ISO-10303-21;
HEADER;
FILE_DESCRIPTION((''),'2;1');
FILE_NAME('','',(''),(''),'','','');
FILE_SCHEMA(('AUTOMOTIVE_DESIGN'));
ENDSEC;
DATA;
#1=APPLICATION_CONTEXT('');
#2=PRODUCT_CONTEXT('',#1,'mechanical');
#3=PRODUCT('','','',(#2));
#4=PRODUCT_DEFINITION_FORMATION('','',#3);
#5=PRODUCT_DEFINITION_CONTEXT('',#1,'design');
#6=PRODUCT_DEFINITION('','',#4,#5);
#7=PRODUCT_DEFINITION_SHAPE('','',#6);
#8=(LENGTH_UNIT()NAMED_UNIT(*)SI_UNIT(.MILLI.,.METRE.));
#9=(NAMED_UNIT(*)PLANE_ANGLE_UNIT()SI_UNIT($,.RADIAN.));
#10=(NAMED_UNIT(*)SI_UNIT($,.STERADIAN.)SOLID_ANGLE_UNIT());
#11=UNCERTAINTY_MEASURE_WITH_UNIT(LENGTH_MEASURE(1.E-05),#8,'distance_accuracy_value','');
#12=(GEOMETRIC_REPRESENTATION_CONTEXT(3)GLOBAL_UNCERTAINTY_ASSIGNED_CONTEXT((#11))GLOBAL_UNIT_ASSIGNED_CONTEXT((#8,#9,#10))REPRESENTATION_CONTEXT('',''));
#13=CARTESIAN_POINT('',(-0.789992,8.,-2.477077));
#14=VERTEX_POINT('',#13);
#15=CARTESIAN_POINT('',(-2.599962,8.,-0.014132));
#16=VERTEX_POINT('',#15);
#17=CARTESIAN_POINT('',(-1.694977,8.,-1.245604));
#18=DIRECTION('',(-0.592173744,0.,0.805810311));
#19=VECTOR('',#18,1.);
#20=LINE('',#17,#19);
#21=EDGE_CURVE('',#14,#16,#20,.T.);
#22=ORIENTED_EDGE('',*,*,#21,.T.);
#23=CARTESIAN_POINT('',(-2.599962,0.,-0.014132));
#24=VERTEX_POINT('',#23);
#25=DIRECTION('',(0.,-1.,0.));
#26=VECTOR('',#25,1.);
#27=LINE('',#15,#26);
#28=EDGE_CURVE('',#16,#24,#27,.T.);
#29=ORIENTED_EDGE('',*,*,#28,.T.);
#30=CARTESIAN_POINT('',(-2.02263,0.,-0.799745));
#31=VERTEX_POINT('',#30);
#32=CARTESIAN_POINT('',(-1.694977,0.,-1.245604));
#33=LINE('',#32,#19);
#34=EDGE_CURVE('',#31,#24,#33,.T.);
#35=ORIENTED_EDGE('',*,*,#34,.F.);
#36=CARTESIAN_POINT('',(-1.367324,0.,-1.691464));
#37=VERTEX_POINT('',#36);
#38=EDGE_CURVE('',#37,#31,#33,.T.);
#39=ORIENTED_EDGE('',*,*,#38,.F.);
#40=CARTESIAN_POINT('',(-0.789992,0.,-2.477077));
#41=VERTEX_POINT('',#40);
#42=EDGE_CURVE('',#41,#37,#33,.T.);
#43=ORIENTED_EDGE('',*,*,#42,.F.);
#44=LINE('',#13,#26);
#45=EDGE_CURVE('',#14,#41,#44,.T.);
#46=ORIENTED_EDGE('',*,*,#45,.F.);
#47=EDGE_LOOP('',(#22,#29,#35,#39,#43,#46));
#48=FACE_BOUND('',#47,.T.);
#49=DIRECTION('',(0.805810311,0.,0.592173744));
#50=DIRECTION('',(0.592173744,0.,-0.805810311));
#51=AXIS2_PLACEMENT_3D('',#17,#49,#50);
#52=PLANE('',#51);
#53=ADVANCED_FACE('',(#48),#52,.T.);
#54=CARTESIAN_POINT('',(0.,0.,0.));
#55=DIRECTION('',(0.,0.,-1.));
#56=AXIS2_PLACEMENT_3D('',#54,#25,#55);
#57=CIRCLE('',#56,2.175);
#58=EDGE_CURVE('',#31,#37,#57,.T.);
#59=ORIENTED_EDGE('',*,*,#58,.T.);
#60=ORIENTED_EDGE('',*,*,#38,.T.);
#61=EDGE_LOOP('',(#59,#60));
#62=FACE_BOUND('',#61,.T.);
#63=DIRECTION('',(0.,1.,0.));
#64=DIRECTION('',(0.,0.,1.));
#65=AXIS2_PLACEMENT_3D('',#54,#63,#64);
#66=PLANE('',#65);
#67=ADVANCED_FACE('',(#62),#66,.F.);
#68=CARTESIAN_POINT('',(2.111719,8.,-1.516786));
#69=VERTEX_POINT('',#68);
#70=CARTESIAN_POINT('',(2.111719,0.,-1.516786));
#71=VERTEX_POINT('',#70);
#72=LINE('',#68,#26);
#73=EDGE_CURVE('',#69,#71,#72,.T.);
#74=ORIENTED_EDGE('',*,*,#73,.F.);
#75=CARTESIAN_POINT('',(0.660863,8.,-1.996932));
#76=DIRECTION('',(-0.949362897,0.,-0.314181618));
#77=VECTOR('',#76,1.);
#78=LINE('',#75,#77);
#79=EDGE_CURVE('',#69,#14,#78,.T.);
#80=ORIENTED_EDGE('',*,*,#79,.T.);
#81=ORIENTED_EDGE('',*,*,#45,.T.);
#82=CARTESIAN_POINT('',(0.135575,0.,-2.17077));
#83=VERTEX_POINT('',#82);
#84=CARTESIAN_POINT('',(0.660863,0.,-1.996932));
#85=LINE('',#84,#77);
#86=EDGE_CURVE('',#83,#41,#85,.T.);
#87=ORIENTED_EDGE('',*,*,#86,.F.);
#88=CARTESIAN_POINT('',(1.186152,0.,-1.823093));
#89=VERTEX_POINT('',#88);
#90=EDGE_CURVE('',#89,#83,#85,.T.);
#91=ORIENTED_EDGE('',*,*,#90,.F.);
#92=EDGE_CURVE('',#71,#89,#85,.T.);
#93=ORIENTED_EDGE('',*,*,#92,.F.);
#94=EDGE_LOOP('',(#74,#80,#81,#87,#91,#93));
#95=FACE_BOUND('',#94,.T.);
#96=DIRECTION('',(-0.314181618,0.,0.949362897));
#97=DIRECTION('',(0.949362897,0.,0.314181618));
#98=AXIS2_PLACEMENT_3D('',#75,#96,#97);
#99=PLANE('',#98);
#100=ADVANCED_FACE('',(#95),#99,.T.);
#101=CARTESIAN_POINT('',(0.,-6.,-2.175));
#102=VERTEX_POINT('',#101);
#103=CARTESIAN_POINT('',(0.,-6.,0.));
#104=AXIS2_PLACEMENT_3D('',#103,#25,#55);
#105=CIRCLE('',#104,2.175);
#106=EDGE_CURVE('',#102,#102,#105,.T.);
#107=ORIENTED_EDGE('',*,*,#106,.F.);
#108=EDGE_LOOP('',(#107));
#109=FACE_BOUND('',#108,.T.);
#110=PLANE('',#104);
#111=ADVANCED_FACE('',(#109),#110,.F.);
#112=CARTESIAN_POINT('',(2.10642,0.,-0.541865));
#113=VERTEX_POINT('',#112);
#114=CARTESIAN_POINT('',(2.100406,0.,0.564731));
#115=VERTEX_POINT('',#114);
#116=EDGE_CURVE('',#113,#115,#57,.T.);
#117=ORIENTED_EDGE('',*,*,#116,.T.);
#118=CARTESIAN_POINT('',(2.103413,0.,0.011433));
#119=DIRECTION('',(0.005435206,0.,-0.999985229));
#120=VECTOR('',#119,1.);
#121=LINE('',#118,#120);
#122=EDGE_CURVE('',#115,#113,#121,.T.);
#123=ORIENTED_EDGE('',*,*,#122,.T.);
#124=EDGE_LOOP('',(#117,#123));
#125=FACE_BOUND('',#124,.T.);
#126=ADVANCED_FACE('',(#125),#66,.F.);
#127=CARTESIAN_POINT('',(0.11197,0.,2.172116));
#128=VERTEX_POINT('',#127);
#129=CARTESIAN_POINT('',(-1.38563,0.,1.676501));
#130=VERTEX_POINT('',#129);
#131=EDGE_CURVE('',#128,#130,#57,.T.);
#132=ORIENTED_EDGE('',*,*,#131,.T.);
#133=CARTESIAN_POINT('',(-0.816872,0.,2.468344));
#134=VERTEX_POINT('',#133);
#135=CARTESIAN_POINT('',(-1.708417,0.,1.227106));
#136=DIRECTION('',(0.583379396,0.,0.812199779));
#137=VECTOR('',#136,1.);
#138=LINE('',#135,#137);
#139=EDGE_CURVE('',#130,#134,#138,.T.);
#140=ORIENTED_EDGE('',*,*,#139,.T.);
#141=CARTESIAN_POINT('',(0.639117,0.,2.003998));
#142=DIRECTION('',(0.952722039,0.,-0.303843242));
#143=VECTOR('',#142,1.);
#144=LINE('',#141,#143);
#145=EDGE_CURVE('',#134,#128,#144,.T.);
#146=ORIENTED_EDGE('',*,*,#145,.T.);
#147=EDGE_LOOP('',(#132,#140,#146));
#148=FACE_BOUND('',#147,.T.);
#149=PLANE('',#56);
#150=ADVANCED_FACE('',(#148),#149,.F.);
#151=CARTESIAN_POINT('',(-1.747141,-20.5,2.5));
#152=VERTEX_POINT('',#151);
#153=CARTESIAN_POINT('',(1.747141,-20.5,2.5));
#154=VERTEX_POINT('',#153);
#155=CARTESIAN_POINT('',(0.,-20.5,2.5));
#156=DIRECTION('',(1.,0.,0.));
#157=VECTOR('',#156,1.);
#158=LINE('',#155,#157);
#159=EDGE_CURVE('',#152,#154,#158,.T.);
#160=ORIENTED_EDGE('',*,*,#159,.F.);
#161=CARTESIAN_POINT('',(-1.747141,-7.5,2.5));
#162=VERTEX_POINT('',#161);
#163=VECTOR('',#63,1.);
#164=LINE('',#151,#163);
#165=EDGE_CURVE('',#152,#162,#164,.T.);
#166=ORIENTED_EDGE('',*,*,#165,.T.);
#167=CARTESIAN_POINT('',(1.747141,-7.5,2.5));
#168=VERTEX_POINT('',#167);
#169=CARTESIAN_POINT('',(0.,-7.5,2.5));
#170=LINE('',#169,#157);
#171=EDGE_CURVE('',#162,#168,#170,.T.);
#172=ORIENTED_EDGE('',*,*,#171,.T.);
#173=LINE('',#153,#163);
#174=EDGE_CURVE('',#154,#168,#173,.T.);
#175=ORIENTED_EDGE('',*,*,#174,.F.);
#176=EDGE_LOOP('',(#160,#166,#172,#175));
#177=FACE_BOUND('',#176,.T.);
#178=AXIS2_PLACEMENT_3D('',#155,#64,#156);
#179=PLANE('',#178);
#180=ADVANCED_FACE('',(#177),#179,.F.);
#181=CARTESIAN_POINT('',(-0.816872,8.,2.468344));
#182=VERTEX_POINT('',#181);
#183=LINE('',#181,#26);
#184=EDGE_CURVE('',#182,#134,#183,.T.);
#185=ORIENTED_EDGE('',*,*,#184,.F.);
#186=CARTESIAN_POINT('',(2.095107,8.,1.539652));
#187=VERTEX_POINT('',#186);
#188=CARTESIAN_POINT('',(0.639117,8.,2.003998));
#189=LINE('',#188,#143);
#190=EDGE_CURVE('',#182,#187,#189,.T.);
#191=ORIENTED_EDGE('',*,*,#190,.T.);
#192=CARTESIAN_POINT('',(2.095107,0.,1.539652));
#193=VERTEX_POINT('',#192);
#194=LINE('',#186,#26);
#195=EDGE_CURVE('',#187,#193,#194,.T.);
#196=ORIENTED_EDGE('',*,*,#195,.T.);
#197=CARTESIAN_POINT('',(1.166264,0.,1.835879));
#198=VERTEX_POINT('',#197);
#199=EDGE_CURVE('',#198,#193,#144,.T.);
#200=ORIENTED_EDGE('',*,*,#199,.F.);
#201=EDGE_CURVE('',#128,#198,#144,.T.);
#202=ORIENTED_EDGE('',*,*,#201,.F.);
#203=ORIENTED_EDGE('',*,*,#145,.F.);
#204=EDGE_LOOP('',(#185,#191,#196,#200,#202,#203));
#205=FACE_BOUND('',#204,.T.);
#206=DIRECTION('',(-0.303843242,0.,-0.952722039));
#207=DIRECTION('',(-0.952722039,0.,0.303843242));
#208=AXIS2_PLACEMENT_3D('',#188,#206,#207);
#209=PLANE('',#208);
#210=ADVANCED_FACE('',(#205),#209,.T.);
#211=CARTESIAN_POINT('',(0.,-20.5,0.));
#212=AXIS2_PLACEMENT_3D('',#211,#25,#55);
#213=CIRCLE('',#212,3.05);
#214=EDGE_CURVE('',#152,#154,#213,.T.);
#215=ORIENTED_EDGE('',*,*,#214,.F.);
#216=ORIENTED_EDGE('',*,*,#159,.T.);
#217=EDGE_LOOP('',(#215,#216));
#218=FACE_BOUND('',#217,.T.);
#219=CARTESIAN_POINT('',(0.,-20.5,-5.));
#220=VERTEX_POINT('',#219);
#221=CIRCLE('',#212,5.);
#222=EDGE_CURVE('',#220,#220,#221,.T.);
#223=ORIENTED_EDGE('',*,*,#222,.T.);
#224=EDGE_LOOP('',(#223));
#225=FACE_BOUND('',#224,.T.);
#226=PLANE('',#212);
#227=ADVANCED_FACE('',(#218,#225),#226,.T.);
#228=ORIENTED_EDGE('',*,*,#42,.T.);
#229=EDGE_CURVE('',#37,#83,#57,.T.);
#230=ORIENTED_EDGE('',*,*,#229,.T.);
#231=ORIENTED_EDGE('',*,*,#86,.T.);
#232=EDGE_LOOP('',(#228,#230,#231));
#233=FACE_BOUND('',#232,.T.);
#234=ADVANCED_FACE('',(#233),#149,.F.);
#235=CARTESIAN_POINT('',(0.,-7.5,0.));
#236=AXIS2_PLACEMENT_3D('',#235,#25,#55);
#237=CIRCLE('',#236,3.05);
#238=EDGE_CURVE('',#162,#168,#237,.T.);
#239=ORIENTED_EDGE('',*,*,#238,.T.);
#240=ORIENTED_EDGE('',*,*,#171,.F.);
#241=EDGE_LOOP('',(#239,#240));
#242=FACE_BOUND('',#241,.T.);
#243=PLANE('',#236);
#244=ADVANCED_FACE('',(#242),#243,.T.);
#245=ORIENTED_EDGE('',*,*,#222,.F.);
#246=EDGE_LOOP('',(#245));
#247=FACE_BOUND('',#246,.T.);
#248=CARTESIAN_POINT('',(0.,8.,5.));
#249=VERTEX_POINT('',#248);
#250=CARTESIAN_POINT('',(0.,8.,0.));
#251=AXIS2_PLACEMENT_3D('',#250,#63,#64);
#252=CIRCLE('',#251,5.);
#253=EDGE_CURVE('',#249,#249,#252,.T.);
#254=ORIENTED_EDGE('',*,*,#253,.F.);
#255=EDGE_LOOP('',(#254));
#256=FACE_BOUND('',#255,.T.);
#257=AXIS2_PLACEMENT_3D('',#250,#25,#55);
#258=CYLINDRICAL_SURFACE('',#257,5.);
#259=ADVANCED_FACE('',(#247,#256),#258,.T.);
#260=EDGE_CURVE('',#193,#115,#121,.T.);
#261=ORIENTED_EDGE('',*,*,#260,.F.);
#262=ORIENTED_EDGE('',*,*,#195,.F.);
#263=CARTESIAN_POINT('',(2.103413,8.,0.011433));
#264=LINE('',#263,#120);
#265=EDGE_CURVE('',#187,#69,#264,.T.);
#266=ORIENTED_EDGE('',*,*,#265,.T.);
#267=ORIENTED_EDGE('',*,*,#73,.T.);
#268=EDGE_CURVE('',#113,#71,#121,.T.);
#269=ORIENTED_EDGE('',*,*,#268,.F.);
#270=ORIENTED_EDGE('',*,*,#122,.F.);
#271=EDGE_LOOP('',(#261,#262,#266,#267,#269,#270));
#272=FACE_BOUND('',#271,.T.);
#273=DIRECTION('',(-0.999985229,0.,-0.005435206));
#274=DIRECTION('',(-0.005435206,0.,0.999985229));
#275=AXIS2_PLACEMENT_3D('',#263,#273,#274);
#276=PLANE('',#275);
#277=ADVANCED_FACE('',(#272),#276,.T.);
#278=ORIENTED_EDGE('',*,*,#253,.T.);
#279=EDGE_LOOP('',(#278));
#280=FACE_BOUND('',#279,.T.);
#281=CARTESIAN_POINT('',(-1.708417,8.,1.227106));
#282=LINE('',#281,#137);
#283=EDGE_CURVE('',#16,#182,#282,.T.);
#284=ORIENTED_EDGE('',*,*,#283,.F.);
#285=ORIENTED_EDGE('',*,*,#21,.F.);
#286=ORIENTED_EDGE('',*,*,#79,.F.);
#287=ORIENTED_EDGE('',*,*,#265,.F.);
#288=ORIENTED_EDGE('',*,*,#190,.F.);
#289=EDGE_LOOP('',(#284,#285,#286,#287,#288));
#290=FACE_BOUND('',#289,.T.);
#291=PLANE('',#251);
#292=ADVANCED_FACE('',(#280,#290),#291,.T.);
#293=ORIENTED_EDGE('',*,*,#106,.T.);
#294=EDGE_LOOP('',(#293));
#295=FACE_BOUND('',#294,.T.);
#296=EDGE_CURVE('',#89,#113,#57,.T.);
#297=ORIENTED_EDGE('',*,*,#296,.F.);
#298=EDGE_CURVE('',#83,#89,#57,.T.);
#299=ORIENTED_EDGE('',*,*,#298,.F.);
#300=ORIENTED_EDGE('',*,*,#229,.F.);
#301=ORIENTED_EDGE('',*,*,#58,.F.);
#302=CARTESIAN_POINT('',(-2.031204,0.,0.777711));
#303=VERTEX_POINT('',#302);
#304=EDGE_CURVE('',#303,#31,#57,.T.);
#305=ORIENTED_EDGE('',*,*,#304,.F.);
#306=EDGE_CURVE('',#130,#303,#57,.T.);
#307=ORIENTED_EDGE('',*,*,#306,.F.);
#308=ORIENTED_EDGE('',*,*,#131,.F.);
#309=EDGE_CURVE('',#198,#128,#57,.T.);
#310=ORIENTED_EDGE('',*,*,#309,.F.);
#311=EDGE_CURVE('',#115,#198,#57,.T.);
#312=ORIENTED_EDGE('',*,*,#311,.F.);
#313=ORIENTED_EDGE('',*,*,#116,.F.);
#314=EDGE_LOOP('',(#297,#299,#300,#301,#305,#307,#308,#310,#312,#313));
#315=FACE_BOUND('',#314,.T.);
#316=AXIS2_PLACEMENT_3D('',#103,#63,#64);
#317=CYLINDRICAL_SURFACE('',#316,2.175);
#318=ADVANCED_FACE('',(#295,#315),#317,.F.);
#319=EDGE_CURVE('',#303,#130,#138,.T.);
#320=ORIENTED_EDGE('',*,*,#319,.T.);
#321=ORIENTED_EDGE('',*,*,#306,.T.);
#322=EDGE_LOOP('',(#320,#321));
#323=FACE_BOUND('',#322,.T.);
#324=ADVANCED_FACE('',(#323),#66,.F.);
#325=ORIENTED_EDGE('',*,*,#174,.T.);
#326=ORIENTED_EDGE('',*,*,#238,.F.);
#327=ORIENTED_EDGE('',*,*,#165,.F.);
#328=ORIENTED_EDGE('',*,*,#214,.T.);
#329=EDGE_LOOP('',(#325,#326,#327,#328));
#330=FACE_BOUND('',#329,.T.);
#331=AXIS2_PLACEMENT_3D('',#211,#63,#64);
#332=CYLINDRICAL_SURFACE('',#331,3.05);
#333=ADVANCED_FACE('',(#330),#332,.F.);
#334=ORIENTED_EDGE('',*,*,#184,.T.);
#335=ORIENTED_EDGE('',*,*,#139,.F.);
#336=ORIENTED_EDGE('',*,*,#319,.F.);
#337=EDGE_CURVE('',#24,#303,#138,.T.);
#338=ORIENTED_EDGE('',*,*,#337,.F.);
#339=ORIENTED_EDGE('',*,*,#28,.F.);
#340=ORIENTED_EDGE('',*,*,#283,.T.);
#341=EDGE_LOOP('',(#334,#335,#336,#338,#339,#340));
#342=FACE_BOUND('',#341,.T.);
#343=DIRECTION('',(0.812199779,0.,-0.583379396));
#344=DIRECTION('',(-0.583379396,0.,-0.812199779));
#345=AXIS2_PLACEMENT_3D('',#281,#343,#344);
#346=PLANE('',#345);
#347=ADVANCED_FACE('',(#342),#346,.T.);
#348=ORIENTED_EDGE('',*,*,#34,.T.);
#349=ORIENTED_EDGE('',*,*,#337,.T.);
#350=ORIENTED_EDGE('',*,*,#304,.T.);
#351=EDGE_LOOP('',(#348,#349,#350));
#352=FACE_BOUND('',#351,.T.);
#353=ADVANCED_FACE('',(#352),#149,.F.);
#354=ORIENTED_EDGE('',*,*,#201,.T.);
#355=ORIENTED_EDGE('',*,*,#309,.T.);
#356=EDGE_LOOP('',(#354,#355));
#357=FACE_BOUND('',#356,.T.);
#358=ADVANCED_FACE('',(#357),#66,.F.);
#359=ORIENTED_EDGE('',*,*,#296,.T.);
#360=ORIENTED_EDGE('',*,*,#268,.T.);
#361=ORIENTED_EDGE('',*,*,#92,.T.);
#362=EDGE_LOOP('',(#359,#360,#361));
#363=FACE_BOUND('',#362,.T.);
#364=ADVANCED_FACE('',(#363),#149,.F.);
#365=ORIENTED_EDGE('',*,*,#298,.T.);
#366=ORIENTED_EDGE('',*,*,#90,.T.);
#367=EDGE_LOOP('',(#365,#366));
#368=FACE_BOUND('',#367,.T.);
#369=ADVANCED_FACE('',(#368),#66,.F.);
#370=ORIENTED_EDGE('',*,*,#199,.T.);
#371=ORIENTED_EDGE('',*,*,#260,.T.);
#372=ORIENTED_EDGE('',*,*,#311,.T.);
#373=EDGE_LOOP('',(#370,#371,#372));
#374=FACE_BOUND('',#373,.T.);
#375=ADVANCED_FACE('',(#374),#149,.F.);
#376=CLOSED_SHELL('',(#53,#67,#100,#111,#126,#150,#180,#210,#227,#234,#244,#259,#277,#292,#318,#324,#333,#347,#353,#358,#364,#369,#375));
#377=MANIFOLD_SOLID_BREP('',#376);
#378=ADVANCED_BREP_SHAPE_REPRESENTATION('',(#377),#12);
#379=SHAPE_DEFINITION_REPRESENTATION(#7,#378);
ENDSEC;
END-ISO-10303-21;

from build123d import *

# Parameters (mm, degrees)
SKETCH1_R           = 5
SKETCH1_R_2         = 2.6
BOSS_EXTRUDE1_DEPTH = 8
BOSS_EXTRUDE2_START = 6
SKETCH2_R           = 5
SKETCH2_R_2         = 2.175
BOSS_EXTRUDE2_DEPTH = 6
BOSS_EXTRUDE3_START = 1.5
SKETCH3_R           = 5
BOSS_EXTRUDE3_DEPTH = 1.5
BOSS_EXTRUDE4_START = 13
SKETCH4_R           = 5
BOSS_EXTRUDE4_DEPTH = 13


with BuildPart() as part:
    # Sketch1 → Boss-Extrude1 (new body)
    # profile 1 of 6: a face of its own
    with BuildSketch(Plane(origin=(0, 0, 0), x_dir=(1, 0, 0), z_dir=(0, 1, 0))):
        with Locations(Location((0, 0, 0), (0, 0, 270))):
            Circle(SKETCH1_R)
        Circle(SKETCH1_R_2, mode=Mode.SUBTRACT)
    # profile 2 of 6: a face of its own
    with BuildSketch(Plane(origin=(0, 0, 0), x_dir=(1, 0, 0), z_dir=(0, 1, 0))):
        with BuildLine():
            Line((2.111719424, 1.51678643), (2.095106807, -1.539651735))
            ThreePointArc((2.095106807, -1.539651735), (2.470554361, -0.810161188), (2.6, 0))
            ThreePointArc((2.6, 0), (2.474921262, 0.796721249), (2.111719424, 1.51678643))
        make_face()
    # profile 3 of 6: a face of its own
    with BuildSketch(Plane(origin=(0, 0, 0), x_dir=(1, 0, 0), z_dir=(0, 1, 0))):
        with BuildLine():
            ThreePointArc((-0.816872207, -2.468343533), (0.789992429, -2.477077303), (2.095106807, -1.539651735))
            Line((2.095106807, -1.539651735), (-0.816872207, -2.468343533))
        make_face()
    # profile 4 of 6: a face of its own
    with BuildSketch(Plane(origin=(0, 0, 0), x_dir=(1, 0, 0), z_dir=(0, 1, 0))):
        with BuildLine():
            ThreePointArc((-2.599961596, 0.014131536), (-2.111719424, -1.51678643), (-0.816872207, -2.468343533))
            Line((-0.816872207, -2.468343533), (-2.599961596, 0.014131536))
        make_face()
    # profile 5 of 6: a face of its own
    with BuildSketch(Plane(origin=(0, 0, 0), x_dir=(1, 0, 0), z_dir=(0, 1, 0))):
        with BuildLine():
            Line((-2.599961596, 0.014131536), (-0.789992429, 2.477077303))
            ThreePointArc((-0.789992429, 2.477077303), (-2.095106807, 1.539651735), (-2.599961596, 0.014131536))
        make_face()
    # profile 6 of 6: a face of its own
    with BuildSketch(Plane(origin=(0, 0, 0), x_dir=(1, 0, 0), z_dir=(0, 1, 0))):
        with BuildLine():
            Line((-0.789992429, 2.477077303), (2.111719424, 1.51678643))
            ThreePointArc((2.111719424, 1.51678643), (0.816872207, 2.468343533), (-0.789992429, 2.477077303))
        make_face()
    extrude(amount=BOSS_EXTRUDE1_DEPTH)

    # Sketch2 → Boss-Extrude2 (add)
    with BuildSketch(Plane.XZ.offset(BOSS_EXTRUDE2_START)):
        with Locations(Location((0, 0, 0), (0, 0, 270))):
            Circle(SKETCH2_R)
        with Locations(Location((0, 0, 0), (0, 0, 87.049070531))):
            Circle(SKETCH2_R_2, mode=Mode.SUBTRACT)
    extrude(amount=-BOSS_EXTRUDE2_DEPTH)

    # Sketch3 → Boss-Extrude3 (add)
    with BuildSketch(Plane.XZ.offset(6).offset(BOSS_EXTRUDE3_START)):
        with Locations(Location((0, 0, 0), (0, 0, 270))):
            Circle(SKETCH3_R)
    extrude(amount=-BOSS_EXTRUDE3_DEPTH)

    # Sketch4 → Boss-Extrude4 (add)
    with BuildSketch(Plane.XZ.offset(7.5).offset(BOSS_EXTRUDE4_START)):
        with Locations(Location((0, 0, 0), (0, 0, 270))):
            Circle(SKETCH4_R)
        with BuildLine():
            Line((-1.747140521, 2.5), (1.747140521, 2.5))
            ThreePointArc((1.747140521, 2.5), (0, -3.05), (-1.747140521, 2.5))
        make_face(mode=Mode.SUBTRACT)
    extrude(amount=-BOSS_EXTRUDE4_DEPTH)


solid = part.part
